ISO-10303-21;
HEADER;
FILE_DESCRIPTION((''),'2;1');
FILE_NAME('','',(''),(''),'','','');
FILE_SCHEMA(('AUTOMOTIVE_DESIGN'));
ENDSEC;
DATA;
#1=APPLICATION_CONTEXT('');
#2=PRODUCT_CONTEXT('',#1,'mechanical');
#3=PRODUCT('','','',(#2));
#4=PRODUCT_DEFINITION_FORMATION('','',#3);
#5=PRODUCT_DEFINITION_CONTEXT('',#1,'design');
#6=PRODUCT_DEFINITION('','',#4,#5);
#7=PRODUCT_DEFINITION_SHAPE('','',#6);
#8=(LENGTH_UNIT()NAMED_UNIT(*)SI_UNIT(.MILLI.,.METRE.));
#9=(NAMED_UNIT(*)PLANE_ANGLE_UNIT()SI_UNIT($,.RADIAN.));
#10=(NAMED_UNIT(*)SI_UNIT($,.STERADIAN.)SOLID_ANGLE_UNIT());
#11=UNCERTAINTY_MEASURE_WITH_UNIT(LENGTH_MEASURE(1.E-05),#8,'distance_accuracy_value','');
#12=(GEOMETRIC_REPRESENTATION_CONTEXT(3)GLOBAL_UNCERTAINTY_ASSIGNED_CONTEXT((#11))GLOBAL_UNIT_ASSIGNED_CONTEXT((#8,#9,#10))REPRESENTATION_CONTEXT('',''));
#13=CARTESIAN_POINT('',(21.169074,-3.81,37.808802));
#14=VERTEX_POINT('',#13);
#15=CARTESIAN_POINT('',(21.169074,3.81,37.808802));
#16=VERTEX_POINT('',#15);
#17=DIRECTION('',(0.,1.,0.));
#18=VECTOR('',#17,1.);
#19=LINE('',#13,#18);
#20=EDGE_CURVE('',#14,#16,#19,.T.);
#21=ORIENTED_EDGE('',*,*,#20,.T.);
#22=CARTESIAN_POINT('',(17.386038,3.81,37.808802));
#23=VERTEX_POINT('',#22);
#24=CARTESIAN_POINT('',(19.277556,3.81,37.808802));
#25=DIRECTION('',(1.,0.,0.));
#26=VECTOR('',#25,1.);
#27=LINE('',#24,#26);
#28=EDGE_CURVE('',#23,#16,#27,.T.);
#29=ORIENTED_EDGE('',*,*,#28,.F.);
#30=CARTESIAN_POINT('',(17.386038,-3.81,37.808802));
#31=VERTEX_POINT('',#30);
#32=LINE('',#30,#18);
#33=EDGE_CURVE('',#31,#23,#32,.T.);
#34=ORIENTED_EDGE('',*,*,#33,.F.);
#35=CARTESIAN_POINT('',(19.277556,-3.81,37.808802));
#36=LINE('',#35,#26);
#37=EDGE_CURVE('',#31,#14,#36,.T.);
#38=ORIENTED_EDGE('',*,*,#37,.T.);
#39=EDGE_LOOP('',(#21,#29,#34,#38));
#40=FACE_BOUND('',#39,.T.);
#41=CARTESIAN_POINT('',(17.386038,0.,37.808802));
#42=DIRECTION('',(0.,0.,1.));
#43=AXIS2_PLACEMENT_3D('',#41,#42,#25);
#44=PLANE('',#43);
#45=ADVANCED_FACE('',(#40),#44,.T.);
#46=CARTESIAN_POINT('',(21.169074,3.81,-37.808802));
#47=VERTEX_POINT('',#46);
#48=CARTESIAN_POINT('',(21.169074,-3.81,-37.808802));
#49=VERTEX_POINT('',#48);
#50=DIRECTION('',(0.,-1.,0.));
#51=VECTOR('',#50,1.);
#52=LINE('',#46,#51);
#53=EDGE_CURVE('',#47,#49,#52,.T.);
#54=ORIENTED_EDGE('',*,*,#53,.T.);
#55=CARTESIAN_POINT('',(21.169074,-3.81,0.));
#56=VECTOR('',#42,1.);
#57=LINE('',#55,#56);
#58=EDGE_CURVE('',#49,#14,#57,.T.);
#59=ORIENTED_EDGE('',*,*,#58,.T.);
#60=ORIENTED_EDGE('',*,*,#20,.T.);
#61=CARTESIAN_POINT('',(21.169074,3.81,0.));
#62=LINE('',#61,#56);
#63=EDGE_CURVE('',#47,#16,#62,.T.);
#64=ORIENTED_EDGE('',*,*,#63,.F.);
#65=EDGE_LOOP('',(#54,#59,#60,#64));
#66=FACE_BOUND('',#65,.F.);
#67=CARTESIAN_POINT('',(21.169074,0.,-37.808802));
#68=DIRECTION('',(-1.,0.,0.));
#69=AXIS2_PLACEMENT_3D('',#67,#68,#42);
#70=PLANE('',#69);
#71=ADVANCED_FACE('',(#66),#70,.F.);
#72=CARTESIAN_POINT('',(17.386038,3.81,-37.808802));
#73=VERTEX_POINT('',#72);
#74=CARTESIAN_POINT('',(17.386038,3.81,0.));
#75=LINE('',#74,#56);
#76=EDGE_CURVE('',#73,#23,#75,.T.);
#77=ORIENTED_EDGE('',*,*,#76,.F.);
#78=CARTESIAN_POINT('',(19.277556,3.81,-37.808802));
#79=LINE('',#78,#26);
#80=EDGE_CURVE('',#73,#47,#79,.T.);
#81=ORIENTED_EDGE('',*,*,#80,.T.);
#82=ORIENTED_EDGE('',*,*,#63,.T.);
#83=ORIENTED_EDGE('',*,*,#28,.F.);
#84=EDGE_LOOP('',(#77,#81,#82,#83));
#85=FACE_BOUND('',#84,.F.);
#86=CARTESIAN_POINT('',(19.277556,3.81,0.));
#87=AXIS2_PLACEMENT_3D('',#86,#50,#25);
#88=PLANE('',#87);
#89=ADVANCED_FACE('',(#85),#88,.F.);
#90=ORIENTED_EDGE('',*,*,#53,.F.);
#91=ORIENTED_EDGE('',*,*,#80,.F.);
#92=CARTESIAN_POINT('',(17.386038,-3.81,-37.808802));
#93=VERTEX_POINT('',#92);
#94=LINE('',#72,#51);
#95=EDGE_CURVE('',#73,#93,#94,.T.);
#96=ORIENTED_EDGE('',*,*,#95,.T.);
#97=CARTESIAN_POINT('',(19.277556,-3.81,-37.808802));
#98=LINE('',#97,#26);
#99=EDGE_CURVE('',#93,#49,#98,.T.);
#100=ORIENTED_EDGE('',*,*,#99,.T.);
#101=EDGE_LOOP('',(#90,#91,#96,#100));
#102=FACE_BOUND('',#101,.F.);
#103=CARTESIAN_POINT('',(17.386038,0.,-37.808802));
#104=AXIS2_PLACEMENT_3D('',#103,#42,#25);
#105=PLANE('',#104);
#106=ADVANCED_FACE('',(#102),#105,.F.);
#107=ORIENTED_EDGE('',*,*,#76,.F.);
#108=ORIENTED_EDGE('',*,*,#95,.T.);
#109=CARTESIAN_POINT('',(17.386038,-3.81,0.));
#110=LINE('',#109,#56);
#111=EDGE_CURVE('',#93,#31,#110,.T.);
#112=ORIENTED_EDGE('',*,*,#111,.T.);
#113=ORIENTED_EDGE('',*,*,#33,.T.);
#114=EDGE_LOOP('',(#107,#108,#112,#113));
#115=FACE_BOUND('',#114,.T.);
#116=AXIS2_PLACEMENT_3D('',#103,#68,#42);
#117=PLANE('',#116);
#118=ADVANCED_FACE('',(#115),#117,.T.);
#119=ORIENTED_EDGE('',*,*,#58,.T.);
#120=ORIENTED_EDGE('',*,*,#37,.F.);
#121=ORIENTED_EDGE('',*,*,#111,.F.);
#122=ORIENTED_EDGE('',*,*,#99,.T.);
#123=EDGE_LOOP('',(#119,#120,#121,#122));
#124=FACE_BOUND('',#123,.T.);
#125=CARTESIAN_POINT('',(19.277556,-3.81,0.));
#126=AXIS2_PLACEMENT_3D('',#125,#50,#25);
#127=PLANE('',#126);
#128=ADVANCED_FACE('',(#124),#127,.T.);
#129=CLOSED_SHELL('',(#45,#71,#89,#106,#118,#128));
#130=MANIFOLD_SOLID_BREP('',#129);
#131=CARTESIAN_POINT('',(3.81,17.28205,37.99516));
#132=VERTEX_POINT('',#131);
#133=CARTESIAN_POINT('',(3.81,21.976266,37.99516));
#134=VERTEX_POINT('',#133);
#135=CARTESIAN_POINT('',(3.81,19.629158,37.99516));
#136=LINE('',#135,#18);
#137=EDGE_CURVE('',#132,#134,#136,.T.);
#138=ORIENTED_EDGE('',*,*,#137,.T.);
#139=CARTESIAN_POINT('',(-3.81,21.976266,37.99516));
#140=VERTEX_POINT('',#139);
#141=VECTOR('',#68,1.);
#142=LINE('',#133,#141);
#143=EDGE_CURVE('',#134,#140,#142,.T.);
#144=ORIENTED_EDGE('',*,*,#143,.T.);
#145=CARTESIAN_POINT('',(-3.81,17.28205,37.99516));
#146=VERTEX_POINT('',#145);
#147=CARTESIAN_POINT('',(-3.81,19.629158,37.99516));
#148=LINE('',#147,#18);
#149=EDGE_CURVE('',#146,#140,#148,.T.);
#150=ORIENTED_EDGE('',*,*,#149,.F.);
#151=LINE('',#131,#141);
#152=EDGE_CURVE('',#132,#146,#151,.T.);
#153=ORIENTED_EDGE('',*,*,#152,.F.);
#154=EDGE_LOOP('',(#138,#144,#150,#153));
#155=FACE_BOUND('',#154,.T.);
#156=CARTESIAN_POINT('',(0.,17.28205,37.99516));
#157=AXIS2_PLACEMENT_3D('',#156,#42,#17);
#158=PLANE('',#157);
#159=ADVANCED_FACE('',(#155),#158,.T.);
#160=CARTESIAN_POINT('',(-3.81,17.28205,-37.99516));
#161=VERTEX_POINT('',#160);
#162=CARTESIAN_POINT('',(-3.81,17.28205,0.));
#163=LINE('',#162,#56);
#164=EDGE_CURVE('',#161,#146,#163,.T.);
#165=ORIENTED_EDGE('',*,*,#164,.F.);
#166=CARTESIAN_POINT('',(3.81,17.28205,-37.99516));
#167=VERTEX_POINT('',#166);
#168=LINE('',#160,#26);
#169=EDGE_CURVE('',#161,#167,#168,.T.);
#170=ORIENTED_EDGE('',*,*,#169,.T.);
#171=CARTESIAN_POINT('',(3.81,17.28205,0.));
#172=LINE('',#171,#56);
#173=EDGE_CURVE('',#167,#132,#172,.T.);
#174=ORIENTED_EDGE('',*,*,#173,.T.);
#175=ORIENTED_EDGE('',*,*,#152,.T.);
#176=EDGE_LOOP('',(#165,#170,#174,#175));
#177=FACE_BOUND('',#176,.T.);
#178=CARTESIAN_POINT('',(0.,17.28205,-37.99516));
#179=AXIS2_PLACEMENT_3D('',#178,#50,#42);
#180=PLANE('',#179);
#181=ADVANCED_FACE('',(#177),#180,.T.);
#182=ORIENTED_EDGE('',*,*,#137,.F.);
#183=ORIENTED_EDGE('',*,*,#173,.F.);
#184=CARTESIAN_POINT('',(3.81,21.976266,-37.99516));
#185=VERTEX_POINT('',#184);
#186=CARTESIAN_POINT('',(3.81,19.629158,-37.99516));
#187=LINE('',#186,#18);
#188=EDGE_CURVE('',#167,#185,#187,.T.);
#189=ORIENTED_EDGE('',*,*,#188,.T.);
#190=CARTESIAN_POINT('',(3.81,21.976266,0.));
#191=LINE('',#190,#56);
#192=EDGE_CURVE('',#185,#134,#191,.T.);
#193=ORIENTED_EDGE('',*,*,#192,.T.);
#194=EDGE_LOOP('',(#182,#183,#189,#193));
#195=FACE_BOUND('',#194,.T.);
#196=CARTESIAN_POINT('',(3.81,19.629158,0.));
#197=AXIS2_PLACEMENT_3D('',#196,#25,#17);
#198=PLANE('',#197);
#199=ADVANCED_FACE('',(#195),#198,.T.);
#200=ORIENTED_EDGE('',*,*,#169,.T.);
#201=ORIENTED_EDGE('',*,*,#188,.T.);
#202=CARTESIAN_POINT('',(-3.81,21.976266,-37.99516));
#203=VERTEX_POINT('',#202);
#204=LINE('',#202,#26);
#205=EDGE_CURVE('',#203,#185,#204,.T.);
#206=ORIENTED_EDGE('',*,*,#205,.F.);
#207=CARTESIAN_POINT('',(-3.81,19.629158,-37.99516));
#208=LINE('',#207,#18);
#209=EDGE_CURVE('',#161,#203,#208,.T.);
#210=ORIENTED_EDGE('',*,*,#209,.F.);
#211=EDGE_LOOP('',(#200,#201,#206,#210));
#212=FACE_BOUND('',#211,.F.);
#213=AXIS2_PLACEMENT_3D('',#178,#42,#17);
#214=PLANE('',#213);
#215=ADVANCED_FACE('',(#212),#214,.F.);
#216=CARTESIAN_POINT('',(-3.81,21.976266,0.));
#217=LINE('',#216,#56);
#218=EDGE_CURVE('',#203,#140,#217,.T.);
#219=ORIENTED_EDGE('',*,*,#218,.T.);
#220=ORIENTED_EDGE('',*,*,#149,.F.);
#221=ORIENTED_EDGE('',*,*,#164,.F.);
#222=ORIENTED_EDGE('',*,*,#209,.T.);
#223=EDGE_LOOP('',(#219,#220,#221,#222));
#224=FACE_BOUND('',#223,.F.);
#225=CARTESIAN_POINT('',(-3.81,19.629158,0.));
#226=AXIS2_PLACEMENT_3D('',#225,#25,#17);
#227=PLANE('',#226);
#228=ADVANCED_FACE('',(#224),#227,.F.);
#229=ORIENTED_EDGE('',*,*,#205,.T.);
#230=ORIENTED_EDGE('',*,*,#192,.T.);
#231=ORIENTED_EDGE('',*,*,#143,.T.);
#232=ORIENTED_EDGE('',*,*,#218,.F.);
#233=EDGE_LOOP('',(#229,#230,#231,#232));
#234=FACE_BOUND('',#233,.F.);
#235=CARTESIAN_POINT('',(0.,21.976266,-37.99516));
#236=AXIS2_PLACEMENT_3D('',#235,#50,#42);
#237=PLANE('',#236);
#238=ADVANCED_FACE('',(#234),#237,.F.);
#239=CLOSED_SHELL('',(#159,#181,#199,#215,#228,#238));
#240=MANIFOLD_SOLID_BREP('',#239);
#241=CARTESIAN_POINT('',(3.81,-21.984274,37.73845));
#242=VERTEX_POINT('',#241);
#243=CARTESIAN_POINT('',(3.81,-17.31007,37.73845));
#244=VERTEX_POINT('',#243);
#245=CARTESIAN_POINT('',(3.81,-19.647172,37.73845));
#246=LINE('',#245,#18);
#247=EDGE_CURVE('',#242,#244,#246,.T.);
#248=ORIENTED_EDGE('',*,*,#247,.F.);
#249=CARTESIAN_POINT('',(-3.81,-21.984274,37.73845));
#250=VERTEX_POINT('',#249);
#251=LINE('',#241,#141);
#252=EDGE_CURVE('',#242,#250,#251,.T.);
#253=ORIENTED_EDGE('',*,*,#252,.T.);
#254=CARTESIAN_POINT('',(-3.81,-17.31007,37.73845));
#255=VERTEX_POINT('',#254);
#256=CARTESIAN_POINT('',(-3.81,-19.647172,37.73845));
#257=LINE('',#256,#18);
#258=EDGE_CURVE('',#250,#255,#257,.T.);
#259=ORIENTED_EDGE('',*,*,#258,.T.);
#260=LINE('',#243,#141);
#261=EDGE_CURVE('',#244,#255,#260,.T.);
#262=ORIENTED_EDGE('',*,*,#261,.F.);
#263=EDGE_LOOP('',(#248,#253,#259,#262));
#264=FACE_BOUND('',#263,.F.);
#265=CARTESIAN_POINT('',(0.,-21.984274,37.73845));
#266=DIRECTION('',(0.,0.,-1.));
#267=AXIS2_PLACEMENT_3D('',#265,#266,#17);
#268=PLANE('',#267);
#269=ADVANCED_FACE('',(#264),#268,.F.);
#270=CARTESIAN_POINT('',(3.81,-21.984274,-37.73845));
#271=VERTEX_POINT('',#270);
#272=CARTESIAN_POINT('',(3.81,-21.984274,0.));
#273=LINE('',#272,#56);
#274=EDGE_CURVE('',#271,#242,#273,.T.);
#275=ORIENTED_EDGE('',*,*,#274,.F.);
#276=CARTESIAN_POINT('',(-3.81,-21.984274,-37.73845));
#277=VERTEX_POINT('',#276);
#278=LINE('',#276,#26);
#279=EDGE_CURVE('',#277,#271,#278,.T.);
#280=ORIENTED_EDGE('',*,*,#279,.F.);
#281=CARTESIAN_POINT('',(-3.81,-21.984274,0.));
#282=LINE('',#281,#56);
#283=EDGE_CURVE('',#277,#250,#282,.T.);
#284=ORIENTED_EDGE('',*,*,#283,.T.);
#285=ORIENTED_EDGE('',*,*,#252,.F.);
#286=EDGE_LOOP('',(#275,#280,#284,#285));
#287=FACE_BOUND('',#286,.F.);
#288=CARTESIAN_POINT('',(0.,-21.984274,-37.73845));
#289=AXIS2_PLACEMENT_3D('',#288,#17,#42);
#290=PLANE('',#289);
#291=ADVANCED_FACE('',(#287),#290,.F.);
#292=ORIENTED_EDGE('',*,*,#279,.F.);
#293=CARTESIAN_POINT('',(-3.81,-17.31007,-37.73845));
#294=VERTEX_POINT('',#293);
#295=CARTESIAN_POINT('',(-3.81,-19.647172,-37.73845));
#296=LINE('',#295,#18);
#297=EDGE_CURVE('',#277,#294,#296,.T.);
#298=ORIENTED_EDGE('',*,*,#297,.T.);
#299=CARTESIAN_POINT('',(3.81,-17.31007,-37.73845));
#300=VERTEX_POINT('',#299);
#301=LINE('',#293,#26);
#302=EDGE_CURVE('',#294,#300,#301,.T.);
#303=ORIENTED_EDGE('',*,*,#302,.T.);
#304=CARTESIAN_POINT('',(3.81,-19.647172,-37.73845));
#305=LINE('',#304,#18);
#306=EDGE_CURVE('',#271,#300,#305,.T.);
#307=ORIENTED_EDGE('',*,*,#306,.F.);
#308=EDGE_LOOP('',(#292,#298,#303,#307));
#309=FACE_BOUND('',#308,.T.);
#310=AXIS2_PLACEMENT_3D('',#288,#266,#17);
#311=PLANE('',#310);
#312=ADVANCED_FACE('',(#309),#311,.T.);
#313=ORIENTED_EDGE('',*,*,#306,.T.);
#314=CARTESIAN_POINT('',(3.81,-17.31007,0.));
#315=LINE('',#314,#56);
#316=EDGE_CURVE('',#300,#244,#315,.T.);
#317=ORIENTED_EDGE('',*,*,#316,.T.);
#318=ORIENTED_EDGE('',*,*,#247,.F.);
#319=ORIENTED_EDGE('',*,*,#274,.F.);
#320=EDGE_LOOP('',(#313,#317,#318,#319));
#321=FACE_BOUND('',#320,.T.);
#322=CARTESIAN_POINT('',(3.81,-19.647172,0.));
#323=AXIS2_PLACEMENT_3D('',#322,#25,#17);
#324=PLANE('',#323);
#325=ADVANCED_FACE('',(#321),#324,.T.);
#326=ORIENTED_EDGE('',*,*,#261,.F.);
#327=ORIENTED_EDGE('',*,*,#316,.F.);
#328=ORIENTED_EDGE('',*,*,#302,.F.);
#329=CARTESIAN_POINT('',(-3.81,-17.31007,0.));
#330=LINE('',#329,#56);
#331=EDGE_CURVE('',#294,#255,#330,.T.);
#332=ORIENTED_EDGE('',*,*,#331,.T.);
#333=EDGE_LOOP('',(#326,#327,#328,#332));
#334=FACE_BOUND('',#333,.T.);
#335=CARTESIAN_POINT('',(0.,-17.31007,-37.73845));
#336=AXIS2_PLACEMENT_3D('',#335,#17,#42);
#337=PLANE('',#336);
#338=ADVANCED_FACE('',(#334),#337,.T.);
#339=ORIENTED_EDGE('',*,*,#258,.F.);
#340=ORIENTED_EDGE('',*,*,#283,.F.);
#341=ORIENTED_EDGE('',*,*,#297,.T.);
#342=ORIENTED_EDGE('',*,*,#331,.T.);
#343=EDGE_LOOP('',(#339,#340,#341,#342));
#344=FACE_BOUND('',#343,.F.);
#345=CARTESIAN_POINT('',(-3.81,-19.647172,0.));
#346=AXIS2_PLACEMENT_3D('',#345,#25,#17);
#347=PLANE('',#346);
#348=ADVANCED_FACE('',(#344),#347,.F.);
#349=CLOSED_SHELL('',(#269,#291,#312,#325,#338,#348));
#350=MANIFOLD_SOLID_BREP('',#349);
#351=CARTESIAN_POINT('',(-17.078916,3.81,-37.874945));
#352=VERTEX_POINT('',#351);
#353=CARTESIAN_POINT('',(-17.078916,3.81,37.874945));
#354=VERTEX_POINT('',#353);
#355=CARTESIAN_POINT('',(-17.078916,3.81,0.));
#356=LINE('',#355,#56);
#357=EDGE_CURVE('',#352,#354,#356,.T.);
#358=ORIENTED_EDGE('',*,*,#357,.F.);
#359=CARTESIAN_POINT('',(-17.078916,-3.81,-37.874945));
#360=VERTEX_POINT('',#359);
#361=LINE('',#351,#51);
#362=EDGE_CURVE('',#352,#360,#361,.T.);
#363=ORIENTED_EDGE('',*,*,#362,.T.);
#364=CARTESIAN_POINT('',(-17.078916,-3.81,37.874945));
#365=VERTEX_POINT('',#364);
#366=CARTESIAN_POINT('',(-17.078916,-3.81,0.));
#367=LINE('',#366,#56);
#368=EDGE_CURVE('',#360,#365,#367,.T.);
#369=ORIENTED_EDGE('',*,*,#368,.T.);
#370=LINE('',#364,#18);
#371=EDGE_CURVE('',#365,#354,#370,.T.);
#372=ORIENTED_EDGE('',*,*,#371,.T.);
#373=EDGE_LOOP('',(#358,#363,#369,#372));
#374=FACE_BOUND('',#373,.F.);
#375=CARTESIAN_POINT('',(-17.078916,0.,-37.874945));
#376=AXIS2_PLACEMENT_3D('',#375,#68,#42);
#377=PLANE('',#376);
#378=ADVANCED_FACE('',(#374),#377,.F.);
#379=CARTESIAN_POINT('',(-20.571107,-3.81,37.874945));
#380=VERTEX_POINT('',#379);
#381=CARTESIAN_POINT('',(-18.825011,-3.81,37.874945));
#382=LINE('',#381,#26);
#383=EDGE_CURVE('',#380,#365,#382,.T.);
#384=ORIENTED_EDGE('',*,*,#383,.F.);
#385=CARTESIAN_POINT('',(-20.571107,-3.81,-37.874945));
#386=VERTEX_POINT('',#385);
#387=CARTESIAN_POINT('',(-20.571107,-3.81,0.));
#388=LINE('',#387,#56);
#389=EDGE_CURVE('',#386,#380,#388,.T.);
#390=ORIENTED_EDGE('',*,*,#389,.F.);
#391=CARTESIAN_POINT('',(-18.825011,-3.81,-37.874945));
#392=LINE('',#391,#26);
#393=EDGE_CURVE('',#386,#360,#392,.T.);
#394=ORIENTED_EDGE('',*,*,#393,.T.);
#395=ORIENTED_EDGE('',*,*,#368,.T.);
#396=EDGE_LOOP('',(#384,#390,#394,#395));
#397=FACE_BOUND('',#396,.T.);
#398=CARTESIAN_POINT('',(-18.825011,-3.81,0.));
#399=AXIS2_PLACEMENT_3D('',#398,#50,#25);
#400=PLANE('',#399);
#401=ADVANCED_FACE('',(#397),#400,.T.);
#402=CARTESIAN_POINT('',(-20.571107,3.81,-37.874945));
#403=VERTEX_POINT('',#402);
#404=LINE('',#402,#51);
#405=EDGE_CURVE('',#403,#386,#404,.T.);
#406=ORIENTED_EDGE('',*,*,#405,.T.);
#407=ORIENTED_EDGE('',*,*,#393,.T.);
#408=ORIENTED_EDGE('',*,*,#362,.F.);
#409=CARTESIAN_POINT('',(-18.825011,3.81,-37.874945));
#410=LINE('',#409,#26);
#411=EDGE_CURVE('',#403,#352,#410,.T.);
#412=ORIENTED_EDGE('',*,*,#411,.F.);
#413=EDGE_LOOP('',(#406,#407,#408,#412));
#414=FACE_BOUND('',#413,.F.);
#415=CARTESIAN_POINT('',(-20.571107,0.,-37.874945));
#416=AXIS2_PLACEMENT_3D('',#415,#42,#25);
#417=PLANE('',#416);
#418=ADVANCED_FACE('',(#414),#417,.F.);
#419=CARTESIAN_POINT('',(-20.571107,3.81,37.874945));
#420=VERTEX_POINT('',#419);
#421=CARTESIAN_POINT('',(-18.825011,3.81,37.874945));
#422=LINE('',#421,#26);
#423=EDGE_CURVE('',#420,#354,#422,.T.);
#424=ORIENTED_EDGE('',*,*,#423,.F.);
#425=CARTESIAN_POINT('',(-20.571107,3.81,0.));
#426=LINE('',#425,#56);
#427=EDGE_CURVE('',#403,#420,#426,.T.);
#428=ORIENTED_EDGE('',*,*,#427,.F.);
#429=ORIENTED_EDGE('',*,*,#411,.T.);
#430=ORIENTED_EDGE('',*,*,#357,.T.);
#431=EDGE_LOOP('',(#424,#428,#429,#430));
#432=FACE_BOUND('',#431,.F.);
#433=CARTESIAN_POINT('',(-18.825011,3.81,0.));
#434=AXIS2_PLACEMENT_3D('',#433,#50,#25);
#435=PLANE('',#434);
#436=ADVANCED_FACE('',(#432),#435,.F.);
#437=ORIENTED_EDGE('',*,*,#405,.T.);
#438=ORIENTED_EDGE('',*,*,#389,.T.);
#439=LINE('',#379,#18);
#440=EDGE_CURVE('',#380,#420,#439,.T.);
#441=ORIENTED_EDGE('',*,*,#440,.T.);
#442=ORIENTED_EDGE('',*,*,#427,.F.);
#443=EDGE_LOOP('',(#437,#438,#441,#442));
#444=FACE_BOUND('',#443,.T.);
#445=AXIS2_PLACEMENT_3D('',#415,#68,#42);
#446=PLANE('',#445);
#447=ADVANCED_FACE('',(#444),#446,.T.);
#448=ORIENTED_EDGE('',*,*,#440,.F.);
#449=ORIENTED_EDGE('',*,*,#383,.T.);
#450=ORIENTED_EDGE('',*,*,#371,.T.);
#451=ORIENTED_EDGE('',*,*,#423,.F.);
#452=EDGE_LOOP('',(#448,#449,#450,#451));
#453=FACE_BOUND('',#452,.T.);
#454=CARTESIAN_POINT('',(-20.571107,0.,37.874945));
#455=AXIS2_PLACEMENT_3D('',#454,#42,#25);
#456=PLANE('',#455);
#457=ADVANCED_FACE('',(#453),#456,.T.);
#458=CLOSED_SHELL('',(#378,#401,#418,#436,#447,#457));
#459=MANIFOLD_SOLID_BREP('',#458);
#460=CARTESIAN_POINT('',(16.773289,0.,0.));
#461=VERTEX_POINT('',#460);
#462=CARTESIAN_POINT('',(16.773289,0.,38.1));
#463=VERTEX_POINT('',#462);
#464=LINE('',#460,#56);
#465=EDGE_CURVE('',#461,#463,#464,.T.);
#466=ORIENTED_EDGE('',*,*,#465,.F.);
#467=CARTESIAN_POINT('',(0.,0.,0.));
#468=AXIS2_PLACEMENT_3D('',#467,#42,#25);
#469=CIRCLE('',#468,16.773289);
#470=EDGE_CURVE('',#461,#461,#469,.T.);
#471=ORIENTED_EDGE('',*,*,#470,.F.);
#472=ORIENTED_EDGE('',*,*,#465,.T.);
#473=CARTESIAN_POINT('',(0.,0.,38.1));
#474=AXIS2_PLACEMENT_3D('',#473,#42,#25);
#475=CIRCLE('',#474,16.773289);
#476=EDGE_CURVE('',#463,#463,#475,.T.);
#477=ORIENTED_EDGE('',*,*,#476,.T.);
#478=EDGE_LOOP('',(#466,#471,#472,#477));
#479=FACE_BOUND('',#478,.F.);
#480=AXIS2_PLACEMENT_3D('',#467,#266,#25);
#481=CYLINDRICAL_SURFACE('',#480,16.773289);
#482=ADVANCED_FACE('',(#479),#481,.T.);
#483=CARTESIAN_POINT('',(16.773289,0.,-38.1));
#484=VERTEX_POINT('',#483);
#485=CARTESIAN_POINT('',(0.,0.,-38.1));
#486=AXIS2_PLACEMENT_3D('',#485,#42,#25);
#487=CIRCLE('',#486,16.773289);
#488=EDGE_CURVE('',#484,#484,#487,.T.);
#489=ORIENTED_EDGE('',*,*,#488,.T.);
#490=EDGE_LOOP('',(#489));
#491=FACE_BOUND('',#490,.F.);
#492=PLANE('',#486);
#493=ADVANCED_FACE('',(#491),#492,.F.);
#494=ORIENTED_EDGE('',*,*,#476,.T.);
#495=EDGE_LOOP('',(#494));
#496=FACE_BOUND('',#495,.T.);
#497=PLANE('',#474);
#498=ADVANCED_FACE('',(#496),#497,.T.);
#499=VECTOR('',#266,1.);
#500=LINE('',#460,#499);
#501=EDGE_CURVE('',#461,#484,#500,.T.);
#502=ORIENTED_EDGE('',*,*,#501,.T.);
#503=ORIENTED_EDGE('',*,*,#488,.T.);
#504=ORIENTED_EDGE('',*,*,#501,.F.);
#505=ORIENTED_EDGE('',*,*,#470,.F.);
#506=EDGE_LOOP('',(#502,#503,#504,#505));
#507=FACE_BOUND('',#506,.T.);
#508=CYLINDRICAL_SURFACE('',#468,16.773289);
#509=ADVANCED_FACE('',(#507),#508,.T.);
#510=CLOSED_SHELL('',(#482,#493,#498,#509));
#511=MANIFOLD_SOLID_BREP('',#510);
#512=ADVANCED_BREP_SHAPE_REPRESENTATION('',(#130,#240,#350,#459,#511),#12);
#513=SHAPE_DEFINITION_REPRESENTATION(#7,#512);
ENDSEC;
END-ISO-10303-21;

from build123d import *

# Parameters (mm, degrees)
F0_R          = 16.7732892251
F1_DEPTH      = 38.1
F1_DEPTH_BACK = 38.1
F2_W          = 4.6742036939
F2_H          = 75.4768997431
F3_DEPTH      = 3.81
F3_DEPTH_BACK = 3.81
F4_W          = 4.6942159534
F4_H          = 75.990319252
F5_DEPTH      = 3.81
F5_DEPTH_BACK = 3.81
F6_W          = 3.7830360234
F6_H          = 75.6176039577
F7_DEPTH      = 3.81
F7_DEPTH_BACK = 3.81
F8_W          = 3.4921914339
F8_H          = 75.7498890162
F9_DEPTH      = 3.81
F9_DEPTH_BACK = 3.81


with BuildPart() as f1:
    # F0 (on Top) → F1 (new body, two sides)
    with BuildSketch(Plane.XY) as f1_sk:
        Circle(F0_R)
    extrude(amount=-F1_DEPTH)
    extrude(f1_sk.sketch, amount=F1_DEPTH_BACK)


with BuildPart() as f3:
    # F2 (on Right) → F3 (new body, two sides)
    with BuildSketch(Plane.YZ) as f3_sk:
        with Locations((-19.6471717209, 0)):
            Rectangle(F2_W, F2_H)
    extrude(amount=F3_DEPTH)
    extrude(f3_sk.sketch, amount=-F3_DEPTH_BACK)


with BuildPart() as f5:
    # F4 (on Right) → F5 (new body, two sides)
    with BuildSketch(Plane.YZ) as f5_sk:
        with Locations((19.6291580796, 0)):
            Rectangle(F4_W, F4_H)
    extrude(amount=-F5_DEPTH)
    extrude(f5_sk.sketch, amount=F5_DEPTH_BACK)


with BuildPart() as f7:
    # F6 (on Front) → F7 (new body, two sides)
    with BuildSketch(Plane.XZ) as f7_sk:
        with Locations((19.277555868, 0)):
            Rectangle(F6_W, F6_H)
    extrude(amount=-F7_DEPTH)
    extrude(f7_sk.sketch, amount=F7_DEPTH_BACK)


with BuildPart() as f9:
    # F8 (on Front) → F9 (new body, two sides)
    with BuildSketch(Plane.XZ) as f9_sk:
        with Locations((-18.8250113279, 0)):
            Rectangle(F8_W, F8_H)
    extrude(amount=-F9_DEPTH)
    extrude(f9_sk.sketch, amount=F9_DEPTH_BACK)


solid = Compound([f1.part, f3.part, f5.part, f7.part, f9.part])
